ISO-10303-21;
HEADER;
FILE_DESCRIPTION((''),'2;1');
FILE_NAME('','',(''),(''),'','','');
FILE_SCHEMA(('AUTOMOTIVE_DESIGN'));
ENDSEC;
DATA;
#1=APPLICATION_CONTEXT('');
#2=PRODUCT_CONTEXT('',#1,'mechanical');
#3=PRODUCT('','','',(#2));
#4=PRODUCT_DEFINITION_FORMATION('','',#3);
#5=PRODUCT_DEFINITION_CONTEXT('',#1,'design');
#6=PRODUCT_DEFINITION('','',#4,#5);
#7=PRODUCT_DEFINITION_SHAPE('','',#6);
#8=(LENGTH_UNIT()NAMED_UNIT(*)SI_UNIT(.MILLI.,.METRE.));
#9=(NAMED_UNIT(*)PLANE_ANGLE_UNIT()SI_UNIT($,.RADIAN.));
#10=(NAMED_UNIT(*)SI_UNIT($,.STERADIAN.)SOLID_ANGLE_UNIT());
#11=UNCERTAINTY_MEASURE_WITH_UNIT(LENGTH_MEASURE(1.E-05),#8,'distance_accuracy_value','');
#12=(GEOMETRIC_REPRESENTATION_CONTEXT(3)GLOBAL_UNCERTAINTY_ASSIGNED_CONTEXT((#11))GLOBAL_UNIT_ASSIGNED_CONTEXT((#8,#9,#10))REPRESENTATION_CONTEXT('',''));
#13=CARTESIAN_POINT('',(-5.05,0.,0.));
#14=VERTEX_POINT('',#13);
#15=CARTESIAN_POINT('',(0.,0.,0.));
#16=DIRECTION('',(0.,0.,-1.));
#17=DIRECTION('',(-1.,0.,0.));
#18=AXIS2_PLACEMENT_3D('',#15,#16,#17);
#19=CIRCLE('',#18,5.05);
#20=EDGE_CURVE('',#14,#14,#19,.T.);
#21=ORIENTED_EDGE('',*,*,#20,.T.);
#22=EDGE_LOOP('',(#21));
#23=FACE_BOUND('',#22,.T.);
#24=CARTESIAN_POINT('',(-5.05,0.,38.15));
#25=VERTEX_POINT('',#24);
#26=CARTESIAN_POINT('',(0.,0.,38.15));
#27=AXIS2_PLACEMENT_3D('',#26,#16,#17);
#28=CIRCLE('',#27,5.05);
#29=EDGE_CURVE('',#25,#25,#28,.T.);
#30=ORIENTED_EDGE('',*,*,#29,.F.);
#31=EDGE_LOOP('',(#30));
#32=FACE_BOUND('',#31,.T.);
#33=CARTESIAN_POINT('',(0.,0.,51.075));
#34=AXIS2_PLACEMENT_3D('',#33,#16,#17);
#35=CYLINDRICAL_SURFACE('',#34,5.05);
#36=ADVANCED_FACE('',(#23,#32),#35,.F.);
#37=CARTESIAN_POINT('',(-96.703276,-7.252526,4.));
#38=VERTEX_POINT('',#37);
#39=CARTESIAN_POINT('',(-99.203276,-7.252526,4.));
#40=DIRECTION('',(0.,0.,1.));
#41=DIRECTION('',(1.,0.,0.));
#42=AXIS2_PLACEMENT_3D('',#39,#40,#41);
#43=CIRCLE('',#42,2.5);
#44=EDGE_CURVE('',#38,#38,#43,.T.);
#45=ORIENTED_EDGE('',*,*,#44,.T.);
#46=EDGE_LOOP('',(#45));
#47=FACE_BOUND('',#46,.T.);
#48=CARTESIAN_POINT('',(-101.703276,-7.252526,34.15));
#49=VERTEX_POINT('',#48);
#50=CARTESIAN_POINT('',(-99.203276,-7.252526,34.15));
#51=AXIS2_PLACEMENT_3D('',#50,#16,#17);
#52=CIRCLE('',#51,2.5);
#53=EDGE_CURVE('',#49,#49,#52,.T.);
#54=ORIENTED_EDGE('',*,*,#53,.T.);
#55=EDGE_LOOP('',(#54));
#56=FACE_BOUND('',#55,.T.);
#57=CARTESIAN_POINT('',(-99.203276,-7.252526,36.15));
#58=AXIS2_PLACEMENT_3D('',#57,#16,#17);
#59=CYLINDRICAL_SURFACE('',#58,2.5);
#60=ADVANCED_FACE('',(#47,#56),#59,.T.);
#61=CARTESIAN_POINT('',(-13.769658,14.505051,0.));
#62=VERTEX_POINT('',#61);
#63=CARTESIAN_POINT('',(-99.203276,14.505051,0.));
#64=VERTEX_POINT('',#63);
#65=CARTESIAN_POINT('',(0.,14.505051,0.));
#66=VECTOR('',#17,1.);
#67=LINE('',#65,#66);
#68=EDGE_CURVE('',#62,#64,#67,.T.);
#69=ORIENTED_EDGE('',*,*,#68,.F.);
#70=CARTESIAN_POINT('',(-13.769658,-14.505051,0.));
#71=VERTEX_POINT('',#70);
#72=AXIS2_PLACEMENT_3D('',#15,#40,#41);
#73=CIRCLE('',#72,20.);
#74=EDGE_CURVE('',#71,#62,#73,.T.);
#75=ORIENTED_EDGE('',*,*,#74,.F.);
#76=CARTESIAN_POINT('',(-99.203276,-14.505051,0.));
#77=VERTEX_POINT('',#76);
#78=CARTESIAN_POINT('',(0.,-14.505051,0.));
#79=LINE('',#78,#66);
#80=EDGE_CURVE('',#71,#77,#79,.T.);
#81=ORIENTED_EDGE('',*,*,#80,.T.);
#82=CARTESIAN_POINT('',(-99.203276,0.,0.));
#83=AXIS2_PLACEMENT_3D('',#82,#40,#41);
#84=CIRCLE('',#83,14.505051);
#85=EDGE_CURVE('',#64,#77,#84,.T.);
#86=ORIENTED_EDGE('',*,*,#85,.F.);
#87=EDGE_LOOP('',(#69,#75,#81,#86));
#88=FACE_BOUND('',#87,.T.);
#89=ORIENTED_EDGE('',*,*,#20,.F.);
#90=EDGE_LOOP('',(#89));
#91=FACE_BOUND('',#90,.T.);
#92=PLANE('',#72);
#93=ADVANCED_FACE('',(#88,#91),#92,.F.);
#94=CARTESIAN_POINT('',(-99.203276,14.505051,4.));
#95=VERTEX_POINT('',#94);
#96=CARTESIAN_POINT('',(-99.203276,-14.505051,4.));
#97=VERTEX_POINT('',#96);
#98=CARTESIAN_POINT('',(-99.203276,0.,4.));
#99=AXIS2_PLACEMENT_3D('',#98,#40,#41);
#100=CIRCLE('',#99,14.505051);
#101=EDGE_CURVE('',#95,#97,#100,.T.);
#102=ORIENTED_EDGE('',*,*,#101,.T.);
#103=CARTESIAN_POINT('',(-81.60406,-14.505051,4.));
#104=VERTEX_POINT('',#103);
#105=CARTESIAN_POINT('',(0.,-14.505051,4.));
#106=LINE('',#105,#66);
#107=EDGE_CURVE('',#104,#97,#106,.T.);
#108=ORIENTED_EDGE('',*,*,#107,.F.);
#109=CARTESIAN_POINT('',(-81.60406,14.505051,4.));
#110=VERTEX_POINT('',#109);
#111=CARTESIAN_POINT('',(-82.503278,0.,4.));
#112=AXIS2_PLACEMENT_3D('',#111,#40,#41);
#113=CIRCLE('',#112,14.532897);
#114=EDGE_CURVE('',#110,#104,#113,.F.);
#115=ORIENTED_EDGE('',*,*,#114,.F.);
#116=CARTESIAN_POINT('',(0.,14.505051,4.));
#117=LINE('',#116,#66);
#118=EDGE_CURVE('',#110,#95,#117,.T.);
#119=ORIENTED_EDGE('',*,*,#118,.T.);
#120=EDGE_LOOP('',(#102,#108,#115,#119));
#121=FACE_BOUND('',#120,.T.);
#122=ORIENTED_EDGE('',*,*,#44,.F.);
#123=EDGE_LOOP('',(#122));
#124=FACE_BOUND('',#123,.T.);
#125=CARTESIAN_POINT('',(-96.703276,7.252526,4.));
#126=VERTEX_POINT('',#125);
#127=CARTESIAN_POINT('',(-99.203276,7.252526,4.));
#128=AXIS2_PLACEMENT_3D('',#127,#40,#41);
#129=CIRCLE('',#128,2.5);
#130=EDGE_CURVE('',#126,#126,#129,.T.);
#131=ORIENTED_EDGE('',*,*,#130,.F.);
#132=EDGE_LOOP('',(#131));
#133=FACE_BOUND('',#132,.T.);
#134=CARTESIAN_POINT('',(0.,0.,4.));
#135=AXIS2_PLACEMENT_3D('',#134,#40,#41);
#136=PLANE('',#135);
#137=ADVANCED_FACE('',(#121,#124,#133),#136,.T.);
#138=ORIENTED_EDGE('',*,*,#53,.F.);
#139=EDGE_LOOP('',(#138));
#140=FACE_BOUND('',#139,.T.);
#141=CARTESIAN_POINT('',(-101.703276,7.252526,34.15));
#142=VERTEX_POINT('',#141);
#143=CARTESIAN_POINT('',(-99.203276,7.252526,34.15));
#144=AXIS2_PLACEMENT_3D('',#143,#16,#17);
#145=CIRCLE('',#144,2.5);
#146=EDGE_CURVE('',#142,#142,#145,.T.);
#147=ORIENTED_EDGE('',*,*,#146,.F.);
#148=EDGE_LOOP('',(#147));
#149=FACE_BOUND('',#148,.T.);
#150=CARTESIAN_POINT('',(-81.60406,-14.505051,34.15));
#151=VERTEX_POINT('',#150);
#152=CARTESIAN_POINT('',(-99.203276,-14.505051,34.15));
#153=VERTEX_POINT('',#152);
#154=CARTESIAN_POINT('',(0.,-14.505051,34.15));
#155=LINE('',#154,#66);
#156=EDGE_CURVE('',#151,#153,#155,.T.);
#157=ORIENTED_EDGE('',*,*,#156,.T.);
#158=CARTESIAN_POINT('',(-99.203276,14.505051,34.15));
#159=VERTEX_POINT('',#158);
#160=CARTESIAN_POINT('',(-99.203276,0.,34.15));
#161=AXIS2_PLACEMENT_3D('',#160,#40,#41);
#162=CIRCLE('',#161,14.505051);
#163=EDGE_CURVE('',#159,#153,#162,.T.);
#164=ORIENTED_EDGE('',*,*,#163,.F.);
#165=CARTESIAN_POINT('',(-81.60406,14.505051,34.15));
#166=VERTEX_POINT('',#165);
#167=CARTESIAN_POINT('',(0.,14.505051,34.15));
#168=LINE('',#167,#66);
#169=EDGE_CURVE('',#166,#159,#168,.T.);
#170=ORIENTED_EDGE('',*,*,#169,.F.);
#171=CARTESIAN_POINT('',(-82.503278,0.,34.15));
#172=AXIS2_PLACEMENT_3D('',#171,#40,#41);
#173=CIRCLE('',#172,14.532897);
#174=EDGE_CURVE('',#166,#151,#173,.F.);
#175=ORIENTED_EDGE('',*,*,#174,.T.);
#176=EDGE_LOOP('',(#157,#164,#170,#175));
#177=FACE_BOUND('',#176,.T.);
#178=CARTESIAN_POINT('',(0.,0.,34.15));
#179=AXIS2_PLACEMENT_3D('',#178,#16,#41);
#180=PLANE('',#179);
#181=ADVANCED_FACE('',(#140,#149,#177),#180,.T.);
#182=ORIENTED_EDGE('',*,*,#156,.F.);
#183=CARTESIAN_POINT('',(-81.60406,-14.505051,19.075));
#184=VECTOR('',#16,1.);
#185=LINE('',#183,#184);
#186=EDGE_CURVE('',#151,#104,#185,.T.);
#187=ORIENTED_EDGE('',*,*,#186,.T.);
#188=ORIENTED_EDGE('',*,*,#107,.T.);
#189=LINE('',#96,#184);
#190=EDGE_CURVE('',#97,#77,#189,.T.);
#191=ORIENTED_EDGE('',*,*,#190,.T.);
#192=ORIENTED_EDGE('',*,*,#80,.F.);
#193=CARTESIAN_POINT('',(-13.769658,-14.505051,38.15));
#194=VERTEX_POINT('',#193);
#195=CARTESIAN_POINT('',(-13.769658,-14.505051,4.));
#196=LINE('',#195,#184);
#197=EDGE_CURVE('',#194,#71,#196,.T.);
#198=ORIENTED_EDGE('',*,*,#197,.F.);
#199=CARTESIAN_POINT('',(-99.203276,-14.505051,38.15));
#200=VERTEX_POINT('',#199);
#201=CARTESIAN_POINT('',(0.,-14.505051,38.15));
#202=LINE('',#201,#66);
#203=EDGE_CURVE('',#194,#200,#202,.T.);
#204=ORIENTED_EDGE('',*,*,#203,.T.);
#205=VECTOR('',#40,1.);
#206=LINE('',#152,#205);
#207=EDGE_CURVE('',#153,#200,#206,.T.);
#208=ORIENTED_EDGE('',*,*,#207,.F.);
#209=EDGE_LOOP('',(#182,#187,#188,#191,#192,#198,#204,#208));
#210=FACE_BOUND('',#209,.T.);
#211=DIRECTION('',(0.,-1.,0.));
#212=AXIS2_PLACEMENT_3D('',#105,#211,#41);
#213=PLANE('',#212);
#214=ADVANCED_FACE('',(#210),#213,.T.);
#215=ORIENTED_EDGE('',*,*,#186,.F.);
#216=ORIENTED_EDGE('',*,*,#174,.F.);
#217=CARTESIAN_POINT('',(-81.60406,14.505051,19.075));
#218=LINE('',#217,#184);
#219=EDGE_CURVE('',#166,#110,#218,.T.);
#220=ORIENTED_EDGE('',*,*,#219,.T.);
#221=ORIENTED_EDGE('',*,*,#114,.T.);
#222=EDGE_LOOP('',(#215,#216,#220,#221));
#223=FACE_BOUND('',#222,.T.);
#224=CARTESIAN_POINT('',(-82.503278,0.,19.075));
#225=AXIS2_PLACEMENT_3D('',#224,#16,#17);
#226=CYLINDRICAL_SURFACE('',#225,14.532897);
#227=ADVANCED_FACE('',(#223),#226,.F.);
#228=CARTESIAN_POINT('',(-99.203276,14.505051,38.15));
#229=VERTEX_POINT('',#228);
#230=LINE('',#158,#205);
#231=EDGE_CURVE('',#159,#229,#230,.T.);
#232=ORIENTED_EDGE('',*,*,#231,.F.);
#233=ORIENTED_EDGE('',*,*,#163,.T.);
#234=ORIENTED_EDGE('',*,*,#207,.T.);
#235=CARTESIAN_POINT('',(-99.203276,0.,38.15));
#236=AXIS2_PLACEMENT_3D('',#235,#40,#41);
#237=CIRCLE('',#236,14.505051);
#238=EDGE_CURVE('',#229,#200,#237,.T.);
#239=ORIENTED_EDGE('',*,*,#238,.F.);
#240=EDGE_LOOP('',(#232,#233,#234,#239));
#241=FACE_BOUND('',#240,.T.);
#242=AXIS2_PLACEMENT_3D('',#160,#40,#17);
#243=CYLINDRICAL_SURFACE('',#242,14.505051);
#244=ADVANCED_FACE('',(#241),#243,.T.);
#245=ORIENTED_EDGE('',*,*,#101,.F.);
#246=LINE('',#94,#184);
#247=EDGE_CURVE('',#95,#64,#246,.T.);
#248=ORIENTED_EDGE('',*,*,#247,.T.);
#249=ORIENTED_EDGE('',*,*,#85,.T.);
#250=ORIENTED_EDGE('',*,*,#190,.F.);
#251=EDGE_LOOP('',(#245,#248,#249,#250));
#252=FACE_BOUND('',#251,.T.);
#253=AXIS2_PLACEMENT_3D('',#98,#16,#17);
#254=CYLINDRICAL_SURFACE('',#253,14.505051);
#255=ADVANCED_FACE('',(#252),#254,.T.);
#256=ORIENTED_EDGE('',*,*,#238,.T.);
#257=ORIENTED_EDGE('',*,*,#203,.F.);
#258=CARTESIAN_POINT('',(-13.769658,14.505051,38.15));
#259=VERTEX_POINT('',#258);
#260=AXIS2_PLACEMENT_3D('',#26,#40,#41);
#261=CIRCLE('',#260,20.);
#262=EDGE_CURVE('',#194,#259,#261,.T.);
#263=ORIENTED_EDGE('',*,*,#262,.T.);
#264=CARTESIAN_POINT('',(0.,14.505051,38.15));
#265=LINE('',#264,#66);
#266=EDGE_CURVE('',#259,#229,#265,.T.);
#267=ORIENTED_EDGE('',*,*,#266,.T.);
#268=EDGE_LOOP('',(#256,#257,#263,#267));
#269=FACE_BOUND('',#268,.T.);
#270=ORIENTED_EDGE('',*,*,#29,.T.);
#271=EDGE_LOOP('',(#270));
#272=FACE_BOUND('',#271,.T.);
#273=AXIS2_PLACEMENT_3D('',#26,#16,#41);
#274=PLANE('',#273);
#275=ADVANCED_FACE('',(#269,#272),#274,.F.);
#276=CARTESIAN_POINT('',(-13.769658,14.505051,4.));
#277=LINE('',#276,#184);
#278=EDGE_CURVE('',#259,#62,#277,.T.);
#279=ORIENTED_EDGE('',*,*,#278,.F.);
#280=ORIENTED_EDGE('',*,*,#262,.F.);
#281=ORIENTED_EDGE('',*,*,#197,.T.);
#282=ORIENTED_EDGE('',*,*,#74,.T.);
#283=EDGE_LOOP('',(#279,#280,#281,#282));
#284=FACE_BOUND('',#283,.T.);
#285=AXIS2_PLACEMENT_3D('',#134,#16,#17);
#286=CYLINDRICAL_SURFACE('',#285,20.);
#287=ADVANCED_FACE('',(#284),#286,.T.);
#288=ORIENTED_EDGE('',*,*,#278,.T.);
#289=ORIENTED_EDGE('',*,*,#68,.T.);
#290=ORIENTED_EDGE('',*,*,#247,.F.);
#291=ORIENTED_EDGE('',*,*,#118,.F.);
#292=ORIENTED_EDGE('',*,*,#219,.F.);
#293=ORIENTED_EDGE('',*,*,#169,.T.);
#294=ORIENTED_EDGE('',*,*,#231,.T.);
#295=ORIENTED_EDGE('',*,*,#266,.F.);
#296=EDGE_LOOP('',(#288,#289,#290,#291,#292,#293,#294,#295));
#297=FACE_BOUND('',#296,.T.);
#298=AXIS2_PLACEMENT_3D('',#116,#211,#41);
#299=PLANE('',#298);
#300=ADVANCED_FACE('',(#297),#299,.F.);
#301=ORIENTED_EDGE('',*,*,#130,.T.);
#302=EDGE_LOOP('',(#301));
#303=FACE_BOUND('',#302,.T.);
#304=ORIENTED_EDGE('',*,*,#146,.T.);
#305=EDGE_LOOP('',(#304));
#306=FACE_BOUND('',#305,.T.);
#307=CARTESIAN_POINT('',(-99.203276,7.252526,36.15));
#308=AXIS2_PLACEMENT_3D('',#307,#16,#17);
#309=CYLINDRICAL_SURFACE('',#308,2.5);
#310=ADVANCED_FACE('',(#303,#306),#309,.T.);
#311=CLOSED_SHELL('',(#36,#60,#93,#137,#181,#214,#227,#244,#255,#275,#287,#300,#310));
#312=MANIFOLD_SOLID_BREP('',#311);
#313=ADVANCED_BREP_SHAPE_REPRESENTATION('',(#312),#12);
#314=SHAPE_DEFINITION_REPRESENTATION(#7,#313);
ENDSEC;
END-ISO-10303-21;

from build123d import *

# Parameters (mm, degrees)
SKETCH1_R                = 20
SKETCH1_R_2              = 14.505051228
BOSS_EXTRUDE1_DEPTH      = 4
BOSS_EXTRUDE2_DEPTH      = 15.075
SKETCH3_R                = 5.05
CUT_EXTRUDE1_DEPTH       = 51.075
SKETCH4_R                = 2.5
BOSS_EXTRUDE3_DEPTH      = 32
BOSS_EXTRUDE3_DEPTH_BACK = 2


with BuildPart() as part:
    # Sketch1 → Boss-Extrude1 (new body)
    with BuildSketch(Plane.XY):
        Circle(SKETCH1_R)
        with BuildLine():
            Line((-99.203276416, -14.505051228), (-13.76965827, -14.505051228))
            ThreePointArc((-13.76965827, -14.505051228), (-20, 0), (-13.76965827, 14.505051228))
            Line((-13.76965827, 14.505051228), (-99.203276416, 14.505051228))
            ThreePointArc((-99.203276416, 14.505051228), (-88.946656331, 10.256620085), (-84.698225188, 0))
            ThreePointArc((-84.698225188, 0), (-88.946656331, -10.256620085), (-99.203276416, -14.505051228))
        make_face()
        with Locations((-99.203276416, 0)):
            Circle(SKETCH1_R_2)
    extrude(amount=BOSS_EXTRUDE1_DEPTH)

    # Sketch2 → Boss-Extrude2 (add)
    with BuildSketch(Plane.XY.offset(4)):
        with BuildLine():
            Line((-13.76965827, 14.505051228), (-81.604060492, 14.505051228))
            ThreePointArc((-81.604060492, 14.505051228), (-67.970381175, 0), (-81.604060492, -14.505051228))
            Line((-81.604060492, -14.505051228), (-13.76965827, -14.505051228))
            ThreePointArc((-13.76965827, -14.505051228), (20, 0), (-13.76965827, 14.505051228))
        make_face()
    extrude(amount=BOSS_EXTRUDE2_DEPTH)

    # Mirror1: part across plane


with BuildPart() as part_1:
    add(part.part)
    add(part.part.mirror(Plane.XY.offset(19.075)))

    # Sketch3 → Cut-Extrude1 (cut)
    with BuildSketch(Plane(origin=(0, 0, 0), x_dir=(-1, 0, 0), z_dir=(0, 0, -1))):
        Circle(SKETCH3_R)
    extrude(amount=-CUT_EXTRUDE1_DEPTH, mode=Mode.SUBTRACT)

    # Sketch4 → Boss-Extrude3 (add, two sides)
    with BuildSketch(Plane(origin=(0, 0, 34.15), x_dir=(-1, 0, 0), z_dir=(0, 0, -1))) as boss_extrude3_sk:
        with Locations((99.203276416, 7.252525614)):
            Circle(SKETCH4_R)
        with Locations((99.203276416, -7.252525614)):
            Circle(SKETCH4_R)
    extrude(amount=BOSS_EXTRUDE3_DEPTH)
    extrude(boss_extrude3_sk.sketch, amount=-BOSS_EXTRUDE3_DEPTH_BACK)


solid = part_1.part
